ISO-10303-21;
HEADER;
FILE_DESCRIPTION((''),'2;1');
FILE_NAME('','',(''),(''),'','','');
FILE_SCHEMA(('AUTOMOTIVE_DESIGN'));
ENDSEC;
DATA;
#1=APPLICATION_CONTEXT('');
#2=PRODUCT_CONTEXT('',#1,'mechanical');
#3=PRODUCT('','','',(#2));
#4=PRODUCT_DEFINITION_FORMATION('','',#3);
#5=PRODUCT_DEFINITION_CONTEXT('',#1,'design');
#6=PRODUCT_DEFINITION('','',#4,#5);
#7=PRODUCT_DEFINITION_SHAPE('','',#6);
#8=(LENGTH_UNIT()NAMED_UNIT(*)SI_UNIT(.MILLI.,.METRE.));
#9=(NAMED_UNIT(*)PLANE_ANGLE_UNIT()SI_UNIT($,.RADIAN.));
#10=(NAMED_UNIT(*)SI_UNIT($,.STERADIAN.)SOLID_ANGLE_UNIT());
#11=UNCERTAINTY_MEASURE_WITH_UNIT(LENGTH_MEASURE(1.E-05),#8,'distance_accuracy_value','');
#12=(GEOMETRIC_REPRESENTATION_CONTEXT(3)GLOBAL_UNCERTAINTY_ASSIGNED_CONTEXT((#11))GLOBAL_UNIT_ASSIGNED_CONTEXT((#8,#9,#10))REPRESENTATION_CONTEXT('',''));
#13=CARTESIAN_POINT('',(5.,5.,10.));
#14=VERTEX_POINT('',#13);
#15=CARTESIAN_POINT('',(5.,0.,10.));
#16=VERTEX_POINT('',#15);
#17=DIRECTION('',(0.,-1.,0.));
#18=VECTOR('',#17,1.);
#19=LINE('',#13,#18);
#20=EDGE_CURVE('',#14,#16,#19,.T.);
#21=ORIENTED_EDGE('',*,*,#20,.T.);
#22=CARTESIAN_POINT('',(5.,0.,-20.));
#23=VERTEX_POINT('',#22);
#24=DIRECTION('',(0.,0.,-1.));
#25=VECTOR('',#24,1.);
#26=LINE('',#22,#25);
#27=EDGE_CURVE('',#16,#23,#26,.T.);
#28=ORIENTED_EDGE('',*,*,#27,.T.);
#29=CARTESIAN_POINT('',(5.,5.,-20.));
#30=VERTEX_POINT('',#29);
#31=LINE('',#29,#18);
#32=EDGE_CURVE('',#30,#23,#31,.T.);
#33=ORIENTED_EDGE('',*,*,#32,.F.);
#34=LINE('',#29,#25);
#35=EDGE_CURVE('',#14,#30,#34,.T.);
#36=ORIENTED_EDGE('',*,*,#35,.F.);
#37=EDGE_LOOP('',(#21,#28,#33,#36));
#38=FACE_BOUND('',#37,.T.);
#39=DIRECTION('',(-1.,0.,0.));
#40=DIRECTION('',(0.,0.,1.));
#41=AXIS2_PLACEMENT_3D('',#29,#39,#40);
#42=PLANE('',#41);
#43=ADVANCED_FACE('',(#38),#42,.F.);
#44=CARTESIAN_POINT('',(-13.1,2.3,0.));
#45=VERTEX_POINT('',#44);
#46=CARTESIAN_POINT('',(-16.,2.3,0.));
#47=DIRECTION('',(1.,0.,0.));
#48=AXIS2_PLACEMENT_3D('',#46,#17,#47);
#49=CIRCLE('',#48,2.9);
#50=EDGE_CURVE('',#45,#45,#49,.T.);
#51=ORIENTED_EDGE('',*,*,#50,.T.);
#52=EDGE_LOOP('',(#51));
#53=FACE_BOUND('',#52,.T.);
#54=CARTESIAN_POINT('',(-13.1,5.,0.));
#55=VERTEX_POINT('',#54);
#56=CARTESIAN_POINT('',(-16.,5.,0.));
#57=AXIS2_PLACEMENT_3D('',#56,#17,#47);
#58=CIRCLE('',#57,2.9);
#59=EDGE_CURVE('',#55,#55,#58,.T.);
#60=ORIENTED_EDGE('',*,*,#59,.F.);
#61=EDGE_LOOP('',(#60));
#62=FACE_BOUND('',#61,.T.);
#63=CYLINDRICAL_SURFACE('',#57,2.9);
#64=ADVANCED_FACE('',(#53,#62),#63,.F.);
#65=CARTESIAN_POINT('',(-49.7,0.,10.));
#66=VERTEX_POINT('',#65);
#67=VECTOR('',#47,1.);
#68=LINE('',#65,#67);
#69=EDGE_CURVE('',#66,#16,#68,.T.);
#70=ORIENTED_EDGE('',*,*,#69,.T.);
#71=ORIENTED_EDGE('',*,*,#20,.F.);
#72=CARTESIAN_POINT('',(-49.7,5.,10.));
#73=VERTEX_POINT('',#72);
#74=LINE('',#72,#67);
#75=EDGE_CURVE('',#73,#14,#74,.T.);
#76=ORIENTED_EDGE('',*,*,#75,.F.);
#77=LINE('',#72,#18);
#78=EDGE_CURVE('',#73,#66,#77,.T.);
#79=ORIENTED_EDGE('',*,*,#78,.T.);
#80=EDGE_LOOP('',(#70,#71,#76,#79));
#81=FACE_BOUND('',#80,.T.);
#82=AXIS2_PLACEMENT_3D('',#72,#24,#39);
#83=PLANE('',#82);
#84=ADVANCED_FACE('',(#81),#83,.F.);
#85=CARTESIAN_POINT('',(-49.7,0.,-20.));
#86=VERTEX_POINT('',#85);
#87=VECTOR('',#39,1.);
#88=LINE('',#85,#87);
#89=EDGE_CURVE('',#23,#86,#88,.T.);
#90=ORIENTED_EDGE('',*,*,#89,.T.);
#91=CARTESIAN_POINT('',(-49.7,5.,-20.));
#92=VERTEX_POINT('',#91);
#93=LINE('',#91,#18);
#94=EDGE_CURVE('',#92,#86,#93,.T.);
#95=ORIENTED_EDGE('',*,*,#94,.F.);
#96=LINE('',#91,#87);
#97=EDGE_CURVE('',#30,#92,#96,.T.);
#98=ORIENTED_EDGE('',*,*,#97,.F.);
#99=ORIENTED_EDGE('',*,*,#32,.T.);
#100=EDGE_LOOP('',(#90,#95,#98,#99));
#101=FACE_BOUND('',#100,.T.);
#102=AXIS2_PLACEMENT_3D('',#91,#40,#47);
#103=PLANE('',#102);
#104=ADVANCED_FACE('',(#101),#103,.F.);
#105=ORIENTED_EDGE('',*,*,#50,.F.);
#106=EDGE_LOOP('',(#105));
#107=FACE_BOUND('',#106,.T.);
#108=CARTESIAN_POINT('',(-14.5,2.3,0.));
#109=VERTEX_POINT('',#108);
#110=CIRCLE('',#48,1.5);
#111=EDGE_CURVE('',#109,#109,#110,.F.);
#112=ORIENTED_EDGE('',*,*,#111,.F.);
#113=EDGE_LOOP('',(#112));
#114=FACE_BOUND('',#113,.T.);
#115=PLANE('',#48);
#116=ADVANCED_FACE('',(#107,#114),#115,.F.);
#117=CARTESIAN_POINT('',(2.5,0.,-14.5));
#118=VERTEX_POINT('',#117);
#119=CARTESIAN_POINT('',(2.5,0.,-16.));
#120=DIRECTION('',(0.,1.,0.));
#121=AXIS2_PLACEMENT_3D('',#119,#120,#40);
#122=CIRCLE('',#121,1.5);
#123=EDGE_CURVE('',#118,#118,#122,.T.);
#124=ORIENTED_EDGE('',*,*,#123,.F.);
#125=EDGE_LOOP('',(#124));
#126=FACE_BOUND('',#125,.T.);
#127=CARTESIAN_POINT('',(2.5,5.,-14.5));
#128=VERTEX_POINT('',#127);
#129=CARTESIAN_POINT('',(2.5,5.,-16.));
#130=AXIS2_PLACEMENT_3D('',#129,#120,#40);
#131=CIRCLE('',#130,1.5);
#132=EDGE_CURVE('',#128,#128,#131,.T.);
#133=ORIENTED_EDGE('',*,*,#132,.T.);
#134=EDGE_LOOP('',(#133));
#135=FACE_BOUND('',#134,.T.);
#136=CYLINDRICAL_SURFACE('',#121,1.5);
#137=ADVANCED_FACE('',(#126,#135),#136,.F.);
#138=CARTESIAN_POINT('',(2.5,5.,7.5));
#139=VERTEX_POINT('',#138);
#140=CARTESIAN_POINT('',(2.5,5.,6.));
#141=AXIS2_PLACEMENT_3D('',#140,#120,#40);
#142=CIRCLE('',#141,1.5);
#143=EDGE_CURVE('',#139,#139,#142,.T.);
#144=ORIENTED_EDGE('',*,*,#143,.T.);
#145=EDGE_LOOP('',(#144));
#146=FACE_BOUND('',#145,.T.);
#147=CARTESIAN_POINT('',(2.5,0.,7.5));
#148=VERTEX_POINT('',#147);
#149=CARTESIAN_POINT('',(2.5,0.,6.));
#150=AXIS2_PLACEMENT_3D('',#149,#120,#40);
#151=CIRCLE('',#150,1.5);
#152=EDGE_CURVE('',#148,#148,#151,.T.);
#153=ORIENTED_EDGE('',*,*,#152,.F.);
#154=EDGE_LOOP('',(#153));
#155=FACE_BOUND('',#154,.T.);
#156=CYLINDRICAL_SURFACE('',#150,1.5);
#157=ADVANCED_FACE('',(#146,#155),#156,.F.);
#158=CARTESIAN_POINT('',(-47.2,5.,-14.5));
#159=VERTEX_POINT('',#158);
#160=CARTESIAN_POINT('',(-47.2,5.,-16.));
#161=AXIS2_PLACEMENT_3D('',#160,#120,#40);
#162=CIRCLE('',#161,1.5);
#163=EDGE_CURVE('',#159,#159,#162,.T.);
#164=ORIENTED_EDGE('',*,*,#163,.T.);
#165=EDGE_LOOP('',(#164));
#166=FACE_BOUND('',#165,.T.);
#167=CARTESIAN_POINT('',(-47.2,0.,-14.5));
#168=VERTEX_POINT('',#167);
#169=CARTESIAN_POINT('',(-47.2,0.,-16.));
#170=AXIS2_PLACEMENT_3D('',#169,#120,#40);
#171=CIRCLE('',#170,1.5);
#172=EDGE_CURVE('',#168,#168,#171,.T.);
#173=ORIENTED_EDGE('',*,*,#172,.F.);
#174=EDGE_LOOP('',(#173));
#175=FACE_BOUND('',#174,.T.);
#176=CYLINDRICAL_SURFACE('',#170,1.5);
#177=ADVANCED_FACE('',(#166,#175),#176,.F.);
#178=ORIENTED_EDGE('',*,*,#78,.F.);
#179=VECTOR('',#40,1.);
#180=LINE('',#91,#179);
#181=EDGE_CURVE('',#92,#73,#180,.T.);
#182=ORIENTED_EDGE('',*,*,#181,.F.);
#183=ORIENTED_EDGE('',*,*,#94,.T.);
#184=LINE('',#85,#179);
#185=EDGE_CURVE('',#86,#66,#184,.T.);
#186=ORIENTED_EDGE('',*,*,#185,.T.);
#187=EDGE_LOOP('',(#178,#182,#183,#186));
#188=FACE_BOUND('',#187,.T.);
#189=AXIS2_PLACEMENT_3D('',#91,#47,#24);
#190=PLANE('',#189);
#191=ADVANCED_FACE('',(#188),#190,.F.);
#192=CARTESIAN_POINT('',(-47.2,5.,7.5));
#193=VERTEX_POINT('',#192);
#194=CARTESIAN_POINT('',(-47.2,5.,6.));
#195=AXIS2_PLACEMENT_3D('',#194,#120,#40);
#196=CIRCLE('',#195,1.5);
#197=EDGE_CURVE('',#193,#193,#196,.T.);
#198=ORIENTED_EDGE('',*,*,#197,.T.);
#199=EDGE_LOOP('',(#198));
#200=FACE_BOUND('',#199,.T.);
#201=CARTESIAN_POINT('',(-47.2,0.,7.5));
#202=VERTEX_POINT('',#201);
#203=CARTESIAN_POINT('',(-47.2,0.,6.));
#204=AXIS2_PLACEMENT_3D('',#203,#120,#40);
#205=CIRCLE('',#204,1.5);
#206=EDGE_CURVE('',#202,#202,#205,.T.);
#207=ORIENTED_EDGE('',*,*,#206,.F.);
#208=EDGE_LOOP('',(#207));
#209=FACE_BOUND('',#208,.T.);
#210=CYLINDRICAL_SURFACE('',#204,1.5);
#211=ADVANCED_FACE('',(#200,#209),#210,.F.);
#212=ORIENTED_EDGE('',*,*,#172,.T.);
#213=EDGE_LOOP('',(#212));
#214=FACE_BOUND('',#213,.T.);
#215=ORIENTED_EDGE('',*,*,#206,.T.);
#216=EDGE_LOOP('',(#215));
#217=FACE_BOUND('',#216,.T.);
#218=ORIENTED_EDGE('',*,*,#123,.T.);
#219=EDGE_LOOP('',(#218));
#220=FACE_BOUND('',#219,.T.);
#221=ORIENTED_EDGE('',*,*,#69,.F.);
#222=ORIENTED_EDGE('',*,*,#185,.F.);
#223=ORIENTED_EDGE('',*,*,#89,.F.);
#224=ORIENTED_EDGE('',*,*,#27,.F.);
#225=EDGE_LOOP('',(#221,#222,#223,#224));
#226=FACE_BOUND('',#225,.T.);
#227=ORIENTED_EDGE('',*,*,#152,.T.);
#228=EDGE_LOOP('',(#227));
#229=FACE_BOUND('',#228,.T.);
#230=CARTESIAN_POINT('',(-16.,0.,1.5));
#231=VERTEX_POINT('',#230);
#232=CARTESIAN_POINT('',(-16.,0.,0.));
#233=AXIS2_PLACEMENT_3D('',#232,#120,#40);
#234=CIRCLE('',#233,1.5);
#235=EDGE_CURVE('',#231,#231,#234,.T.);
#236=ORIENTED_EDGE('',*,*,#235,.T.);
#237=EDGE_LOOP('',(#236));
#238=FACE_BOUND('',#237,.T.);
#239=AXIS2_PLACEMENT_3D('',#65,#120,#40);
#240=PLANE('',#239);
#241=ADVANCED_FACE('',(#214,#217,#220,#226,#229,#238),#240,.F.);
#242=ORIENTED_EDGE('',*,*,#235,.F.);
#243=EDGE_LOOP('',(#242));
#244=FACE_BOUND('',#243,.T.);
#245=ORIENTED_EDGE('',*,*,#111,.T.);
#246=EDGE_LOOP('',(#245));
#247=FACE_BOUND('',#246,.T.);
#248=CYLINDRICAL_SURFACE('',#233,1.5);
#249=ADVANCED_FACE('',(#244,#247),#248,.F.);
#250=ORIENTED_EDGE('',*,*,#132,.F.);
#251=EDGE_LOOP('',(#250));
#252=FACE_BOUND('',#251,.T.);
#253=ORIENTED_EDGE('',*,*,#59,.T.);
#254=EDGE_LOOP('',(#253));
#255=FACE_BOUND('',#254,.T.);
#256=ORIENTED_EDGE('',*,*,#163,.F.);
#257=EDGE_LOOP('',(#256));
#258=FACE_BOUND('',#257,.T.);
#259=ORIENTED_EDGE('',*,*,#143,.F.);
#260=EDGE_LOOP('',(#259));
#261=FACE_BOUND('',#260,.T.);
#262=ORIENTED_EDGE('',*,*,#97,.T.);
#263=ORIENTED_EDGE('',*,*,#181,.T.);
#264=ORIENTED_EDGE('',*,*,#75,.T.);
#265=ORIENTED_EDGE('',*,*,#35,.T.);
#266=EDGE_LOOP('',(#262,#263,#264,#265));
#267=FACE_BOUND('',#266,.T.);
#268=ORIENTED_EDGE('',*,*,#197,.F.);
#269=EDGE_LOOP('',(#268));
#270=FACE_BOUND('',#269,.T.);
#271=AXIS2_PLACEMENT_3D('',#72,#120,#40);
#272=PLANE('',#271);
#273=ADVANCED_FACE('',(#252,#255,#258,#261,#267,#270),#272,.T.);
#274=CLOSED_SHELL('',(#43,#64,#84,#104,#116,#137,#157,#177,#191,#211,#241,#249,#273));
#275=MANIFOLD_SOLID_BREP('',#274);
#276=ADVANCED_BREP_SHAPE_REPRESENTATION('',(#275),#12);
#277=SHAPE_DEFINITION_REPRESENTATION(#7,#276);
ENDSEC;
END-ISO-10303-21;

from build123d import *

# Parameters (mm, degrees)
ESQUISSE1_W             = 54.7
ESQUISSE1_H             = 30
EXTRUSION1_DEPTH        = 5
ESQUISSE2_R             = 1.5
ENL_V_MAT_EXTRU_1_DEPTH = 54.806040553
ESQUISSE3_R             = 2.9
ENL_V_MAT_EXTRU_2_DEPTH = 54.641215497
ESQUISSE4_R             = 1.5
ENL_V_MAT_EXTRU_3_DEPTH = 54.806040553


with BuildPart() as part:
    # Esquisse1 → Extrusion1 (new body)
    with BuildSketch(Plane(origin=(0, 0, 0), x_dir=(1, 0, 0), z_dir=(0, 1, 0))):
        with Locations((-22.35, 5)):
            Rectangle(ESQUISSE1_W, ESQUISSE1_H)
    extrude(amount=EXTRUSION1_DEPTH)

    # Esquisse2 → Enlèv. mat.-Extru.1 (cut, through all)
    with BuildSketch(Plane(origin=(0, 5, 0), x_dir=(1, 0, 0), z_dir=(0, 1, 0))):
        with Locations(Location((-16, 0, 0), (0, 0, 270))):
            Circle(ESQUISSE2_R)
    extrude(amount=-ENL_V_MAT_EXTRU_1_DEPTH, mode=Mode.SUBTRACT)

    # Esquisse3 → Enlèv. mat.-Extru.2 (cut, through all)
    with BuildSketch(Plane.XZ.offset(-2.3)):
        with Locations((-16, 0)):
            Circle(ESQUISSE3_R)
    extrude(amount=-ENL_V_MAT_EXTRU_2_DEPTH, mode=Mode.SUBTRACT)

    # Esquisse4 → Enlèv. mat.-Extru.3 (cut, through all)
    with BuildSketch(Plane(origin=(0, 5, 0), x_dir=(1, 0, 0), z_dir=(0, 1, 0))):
        with Locations(Location((2.5, -6, 0), (0, 0, 270))):
            Circle(ESQUISSE4_R)
        with Locations(Location((2.5, 16, 0), (0, 0, 270))):
            Circle(ESQUISSE4_R)
        with Locations(Location((-47.2, 16, 0), (0, 0, 270))):
            Circle(ESQUISSE4_R)
        with Locations(Location((-47.2, -6, 0), (0, 0, 270))):
            Circle(ESQUISSE4_R)
    extrude(amount=-ENL_V_MAT_EXTRU_3_DEPTH, mode=Mode.SUBTRACT)


solid = part.part
